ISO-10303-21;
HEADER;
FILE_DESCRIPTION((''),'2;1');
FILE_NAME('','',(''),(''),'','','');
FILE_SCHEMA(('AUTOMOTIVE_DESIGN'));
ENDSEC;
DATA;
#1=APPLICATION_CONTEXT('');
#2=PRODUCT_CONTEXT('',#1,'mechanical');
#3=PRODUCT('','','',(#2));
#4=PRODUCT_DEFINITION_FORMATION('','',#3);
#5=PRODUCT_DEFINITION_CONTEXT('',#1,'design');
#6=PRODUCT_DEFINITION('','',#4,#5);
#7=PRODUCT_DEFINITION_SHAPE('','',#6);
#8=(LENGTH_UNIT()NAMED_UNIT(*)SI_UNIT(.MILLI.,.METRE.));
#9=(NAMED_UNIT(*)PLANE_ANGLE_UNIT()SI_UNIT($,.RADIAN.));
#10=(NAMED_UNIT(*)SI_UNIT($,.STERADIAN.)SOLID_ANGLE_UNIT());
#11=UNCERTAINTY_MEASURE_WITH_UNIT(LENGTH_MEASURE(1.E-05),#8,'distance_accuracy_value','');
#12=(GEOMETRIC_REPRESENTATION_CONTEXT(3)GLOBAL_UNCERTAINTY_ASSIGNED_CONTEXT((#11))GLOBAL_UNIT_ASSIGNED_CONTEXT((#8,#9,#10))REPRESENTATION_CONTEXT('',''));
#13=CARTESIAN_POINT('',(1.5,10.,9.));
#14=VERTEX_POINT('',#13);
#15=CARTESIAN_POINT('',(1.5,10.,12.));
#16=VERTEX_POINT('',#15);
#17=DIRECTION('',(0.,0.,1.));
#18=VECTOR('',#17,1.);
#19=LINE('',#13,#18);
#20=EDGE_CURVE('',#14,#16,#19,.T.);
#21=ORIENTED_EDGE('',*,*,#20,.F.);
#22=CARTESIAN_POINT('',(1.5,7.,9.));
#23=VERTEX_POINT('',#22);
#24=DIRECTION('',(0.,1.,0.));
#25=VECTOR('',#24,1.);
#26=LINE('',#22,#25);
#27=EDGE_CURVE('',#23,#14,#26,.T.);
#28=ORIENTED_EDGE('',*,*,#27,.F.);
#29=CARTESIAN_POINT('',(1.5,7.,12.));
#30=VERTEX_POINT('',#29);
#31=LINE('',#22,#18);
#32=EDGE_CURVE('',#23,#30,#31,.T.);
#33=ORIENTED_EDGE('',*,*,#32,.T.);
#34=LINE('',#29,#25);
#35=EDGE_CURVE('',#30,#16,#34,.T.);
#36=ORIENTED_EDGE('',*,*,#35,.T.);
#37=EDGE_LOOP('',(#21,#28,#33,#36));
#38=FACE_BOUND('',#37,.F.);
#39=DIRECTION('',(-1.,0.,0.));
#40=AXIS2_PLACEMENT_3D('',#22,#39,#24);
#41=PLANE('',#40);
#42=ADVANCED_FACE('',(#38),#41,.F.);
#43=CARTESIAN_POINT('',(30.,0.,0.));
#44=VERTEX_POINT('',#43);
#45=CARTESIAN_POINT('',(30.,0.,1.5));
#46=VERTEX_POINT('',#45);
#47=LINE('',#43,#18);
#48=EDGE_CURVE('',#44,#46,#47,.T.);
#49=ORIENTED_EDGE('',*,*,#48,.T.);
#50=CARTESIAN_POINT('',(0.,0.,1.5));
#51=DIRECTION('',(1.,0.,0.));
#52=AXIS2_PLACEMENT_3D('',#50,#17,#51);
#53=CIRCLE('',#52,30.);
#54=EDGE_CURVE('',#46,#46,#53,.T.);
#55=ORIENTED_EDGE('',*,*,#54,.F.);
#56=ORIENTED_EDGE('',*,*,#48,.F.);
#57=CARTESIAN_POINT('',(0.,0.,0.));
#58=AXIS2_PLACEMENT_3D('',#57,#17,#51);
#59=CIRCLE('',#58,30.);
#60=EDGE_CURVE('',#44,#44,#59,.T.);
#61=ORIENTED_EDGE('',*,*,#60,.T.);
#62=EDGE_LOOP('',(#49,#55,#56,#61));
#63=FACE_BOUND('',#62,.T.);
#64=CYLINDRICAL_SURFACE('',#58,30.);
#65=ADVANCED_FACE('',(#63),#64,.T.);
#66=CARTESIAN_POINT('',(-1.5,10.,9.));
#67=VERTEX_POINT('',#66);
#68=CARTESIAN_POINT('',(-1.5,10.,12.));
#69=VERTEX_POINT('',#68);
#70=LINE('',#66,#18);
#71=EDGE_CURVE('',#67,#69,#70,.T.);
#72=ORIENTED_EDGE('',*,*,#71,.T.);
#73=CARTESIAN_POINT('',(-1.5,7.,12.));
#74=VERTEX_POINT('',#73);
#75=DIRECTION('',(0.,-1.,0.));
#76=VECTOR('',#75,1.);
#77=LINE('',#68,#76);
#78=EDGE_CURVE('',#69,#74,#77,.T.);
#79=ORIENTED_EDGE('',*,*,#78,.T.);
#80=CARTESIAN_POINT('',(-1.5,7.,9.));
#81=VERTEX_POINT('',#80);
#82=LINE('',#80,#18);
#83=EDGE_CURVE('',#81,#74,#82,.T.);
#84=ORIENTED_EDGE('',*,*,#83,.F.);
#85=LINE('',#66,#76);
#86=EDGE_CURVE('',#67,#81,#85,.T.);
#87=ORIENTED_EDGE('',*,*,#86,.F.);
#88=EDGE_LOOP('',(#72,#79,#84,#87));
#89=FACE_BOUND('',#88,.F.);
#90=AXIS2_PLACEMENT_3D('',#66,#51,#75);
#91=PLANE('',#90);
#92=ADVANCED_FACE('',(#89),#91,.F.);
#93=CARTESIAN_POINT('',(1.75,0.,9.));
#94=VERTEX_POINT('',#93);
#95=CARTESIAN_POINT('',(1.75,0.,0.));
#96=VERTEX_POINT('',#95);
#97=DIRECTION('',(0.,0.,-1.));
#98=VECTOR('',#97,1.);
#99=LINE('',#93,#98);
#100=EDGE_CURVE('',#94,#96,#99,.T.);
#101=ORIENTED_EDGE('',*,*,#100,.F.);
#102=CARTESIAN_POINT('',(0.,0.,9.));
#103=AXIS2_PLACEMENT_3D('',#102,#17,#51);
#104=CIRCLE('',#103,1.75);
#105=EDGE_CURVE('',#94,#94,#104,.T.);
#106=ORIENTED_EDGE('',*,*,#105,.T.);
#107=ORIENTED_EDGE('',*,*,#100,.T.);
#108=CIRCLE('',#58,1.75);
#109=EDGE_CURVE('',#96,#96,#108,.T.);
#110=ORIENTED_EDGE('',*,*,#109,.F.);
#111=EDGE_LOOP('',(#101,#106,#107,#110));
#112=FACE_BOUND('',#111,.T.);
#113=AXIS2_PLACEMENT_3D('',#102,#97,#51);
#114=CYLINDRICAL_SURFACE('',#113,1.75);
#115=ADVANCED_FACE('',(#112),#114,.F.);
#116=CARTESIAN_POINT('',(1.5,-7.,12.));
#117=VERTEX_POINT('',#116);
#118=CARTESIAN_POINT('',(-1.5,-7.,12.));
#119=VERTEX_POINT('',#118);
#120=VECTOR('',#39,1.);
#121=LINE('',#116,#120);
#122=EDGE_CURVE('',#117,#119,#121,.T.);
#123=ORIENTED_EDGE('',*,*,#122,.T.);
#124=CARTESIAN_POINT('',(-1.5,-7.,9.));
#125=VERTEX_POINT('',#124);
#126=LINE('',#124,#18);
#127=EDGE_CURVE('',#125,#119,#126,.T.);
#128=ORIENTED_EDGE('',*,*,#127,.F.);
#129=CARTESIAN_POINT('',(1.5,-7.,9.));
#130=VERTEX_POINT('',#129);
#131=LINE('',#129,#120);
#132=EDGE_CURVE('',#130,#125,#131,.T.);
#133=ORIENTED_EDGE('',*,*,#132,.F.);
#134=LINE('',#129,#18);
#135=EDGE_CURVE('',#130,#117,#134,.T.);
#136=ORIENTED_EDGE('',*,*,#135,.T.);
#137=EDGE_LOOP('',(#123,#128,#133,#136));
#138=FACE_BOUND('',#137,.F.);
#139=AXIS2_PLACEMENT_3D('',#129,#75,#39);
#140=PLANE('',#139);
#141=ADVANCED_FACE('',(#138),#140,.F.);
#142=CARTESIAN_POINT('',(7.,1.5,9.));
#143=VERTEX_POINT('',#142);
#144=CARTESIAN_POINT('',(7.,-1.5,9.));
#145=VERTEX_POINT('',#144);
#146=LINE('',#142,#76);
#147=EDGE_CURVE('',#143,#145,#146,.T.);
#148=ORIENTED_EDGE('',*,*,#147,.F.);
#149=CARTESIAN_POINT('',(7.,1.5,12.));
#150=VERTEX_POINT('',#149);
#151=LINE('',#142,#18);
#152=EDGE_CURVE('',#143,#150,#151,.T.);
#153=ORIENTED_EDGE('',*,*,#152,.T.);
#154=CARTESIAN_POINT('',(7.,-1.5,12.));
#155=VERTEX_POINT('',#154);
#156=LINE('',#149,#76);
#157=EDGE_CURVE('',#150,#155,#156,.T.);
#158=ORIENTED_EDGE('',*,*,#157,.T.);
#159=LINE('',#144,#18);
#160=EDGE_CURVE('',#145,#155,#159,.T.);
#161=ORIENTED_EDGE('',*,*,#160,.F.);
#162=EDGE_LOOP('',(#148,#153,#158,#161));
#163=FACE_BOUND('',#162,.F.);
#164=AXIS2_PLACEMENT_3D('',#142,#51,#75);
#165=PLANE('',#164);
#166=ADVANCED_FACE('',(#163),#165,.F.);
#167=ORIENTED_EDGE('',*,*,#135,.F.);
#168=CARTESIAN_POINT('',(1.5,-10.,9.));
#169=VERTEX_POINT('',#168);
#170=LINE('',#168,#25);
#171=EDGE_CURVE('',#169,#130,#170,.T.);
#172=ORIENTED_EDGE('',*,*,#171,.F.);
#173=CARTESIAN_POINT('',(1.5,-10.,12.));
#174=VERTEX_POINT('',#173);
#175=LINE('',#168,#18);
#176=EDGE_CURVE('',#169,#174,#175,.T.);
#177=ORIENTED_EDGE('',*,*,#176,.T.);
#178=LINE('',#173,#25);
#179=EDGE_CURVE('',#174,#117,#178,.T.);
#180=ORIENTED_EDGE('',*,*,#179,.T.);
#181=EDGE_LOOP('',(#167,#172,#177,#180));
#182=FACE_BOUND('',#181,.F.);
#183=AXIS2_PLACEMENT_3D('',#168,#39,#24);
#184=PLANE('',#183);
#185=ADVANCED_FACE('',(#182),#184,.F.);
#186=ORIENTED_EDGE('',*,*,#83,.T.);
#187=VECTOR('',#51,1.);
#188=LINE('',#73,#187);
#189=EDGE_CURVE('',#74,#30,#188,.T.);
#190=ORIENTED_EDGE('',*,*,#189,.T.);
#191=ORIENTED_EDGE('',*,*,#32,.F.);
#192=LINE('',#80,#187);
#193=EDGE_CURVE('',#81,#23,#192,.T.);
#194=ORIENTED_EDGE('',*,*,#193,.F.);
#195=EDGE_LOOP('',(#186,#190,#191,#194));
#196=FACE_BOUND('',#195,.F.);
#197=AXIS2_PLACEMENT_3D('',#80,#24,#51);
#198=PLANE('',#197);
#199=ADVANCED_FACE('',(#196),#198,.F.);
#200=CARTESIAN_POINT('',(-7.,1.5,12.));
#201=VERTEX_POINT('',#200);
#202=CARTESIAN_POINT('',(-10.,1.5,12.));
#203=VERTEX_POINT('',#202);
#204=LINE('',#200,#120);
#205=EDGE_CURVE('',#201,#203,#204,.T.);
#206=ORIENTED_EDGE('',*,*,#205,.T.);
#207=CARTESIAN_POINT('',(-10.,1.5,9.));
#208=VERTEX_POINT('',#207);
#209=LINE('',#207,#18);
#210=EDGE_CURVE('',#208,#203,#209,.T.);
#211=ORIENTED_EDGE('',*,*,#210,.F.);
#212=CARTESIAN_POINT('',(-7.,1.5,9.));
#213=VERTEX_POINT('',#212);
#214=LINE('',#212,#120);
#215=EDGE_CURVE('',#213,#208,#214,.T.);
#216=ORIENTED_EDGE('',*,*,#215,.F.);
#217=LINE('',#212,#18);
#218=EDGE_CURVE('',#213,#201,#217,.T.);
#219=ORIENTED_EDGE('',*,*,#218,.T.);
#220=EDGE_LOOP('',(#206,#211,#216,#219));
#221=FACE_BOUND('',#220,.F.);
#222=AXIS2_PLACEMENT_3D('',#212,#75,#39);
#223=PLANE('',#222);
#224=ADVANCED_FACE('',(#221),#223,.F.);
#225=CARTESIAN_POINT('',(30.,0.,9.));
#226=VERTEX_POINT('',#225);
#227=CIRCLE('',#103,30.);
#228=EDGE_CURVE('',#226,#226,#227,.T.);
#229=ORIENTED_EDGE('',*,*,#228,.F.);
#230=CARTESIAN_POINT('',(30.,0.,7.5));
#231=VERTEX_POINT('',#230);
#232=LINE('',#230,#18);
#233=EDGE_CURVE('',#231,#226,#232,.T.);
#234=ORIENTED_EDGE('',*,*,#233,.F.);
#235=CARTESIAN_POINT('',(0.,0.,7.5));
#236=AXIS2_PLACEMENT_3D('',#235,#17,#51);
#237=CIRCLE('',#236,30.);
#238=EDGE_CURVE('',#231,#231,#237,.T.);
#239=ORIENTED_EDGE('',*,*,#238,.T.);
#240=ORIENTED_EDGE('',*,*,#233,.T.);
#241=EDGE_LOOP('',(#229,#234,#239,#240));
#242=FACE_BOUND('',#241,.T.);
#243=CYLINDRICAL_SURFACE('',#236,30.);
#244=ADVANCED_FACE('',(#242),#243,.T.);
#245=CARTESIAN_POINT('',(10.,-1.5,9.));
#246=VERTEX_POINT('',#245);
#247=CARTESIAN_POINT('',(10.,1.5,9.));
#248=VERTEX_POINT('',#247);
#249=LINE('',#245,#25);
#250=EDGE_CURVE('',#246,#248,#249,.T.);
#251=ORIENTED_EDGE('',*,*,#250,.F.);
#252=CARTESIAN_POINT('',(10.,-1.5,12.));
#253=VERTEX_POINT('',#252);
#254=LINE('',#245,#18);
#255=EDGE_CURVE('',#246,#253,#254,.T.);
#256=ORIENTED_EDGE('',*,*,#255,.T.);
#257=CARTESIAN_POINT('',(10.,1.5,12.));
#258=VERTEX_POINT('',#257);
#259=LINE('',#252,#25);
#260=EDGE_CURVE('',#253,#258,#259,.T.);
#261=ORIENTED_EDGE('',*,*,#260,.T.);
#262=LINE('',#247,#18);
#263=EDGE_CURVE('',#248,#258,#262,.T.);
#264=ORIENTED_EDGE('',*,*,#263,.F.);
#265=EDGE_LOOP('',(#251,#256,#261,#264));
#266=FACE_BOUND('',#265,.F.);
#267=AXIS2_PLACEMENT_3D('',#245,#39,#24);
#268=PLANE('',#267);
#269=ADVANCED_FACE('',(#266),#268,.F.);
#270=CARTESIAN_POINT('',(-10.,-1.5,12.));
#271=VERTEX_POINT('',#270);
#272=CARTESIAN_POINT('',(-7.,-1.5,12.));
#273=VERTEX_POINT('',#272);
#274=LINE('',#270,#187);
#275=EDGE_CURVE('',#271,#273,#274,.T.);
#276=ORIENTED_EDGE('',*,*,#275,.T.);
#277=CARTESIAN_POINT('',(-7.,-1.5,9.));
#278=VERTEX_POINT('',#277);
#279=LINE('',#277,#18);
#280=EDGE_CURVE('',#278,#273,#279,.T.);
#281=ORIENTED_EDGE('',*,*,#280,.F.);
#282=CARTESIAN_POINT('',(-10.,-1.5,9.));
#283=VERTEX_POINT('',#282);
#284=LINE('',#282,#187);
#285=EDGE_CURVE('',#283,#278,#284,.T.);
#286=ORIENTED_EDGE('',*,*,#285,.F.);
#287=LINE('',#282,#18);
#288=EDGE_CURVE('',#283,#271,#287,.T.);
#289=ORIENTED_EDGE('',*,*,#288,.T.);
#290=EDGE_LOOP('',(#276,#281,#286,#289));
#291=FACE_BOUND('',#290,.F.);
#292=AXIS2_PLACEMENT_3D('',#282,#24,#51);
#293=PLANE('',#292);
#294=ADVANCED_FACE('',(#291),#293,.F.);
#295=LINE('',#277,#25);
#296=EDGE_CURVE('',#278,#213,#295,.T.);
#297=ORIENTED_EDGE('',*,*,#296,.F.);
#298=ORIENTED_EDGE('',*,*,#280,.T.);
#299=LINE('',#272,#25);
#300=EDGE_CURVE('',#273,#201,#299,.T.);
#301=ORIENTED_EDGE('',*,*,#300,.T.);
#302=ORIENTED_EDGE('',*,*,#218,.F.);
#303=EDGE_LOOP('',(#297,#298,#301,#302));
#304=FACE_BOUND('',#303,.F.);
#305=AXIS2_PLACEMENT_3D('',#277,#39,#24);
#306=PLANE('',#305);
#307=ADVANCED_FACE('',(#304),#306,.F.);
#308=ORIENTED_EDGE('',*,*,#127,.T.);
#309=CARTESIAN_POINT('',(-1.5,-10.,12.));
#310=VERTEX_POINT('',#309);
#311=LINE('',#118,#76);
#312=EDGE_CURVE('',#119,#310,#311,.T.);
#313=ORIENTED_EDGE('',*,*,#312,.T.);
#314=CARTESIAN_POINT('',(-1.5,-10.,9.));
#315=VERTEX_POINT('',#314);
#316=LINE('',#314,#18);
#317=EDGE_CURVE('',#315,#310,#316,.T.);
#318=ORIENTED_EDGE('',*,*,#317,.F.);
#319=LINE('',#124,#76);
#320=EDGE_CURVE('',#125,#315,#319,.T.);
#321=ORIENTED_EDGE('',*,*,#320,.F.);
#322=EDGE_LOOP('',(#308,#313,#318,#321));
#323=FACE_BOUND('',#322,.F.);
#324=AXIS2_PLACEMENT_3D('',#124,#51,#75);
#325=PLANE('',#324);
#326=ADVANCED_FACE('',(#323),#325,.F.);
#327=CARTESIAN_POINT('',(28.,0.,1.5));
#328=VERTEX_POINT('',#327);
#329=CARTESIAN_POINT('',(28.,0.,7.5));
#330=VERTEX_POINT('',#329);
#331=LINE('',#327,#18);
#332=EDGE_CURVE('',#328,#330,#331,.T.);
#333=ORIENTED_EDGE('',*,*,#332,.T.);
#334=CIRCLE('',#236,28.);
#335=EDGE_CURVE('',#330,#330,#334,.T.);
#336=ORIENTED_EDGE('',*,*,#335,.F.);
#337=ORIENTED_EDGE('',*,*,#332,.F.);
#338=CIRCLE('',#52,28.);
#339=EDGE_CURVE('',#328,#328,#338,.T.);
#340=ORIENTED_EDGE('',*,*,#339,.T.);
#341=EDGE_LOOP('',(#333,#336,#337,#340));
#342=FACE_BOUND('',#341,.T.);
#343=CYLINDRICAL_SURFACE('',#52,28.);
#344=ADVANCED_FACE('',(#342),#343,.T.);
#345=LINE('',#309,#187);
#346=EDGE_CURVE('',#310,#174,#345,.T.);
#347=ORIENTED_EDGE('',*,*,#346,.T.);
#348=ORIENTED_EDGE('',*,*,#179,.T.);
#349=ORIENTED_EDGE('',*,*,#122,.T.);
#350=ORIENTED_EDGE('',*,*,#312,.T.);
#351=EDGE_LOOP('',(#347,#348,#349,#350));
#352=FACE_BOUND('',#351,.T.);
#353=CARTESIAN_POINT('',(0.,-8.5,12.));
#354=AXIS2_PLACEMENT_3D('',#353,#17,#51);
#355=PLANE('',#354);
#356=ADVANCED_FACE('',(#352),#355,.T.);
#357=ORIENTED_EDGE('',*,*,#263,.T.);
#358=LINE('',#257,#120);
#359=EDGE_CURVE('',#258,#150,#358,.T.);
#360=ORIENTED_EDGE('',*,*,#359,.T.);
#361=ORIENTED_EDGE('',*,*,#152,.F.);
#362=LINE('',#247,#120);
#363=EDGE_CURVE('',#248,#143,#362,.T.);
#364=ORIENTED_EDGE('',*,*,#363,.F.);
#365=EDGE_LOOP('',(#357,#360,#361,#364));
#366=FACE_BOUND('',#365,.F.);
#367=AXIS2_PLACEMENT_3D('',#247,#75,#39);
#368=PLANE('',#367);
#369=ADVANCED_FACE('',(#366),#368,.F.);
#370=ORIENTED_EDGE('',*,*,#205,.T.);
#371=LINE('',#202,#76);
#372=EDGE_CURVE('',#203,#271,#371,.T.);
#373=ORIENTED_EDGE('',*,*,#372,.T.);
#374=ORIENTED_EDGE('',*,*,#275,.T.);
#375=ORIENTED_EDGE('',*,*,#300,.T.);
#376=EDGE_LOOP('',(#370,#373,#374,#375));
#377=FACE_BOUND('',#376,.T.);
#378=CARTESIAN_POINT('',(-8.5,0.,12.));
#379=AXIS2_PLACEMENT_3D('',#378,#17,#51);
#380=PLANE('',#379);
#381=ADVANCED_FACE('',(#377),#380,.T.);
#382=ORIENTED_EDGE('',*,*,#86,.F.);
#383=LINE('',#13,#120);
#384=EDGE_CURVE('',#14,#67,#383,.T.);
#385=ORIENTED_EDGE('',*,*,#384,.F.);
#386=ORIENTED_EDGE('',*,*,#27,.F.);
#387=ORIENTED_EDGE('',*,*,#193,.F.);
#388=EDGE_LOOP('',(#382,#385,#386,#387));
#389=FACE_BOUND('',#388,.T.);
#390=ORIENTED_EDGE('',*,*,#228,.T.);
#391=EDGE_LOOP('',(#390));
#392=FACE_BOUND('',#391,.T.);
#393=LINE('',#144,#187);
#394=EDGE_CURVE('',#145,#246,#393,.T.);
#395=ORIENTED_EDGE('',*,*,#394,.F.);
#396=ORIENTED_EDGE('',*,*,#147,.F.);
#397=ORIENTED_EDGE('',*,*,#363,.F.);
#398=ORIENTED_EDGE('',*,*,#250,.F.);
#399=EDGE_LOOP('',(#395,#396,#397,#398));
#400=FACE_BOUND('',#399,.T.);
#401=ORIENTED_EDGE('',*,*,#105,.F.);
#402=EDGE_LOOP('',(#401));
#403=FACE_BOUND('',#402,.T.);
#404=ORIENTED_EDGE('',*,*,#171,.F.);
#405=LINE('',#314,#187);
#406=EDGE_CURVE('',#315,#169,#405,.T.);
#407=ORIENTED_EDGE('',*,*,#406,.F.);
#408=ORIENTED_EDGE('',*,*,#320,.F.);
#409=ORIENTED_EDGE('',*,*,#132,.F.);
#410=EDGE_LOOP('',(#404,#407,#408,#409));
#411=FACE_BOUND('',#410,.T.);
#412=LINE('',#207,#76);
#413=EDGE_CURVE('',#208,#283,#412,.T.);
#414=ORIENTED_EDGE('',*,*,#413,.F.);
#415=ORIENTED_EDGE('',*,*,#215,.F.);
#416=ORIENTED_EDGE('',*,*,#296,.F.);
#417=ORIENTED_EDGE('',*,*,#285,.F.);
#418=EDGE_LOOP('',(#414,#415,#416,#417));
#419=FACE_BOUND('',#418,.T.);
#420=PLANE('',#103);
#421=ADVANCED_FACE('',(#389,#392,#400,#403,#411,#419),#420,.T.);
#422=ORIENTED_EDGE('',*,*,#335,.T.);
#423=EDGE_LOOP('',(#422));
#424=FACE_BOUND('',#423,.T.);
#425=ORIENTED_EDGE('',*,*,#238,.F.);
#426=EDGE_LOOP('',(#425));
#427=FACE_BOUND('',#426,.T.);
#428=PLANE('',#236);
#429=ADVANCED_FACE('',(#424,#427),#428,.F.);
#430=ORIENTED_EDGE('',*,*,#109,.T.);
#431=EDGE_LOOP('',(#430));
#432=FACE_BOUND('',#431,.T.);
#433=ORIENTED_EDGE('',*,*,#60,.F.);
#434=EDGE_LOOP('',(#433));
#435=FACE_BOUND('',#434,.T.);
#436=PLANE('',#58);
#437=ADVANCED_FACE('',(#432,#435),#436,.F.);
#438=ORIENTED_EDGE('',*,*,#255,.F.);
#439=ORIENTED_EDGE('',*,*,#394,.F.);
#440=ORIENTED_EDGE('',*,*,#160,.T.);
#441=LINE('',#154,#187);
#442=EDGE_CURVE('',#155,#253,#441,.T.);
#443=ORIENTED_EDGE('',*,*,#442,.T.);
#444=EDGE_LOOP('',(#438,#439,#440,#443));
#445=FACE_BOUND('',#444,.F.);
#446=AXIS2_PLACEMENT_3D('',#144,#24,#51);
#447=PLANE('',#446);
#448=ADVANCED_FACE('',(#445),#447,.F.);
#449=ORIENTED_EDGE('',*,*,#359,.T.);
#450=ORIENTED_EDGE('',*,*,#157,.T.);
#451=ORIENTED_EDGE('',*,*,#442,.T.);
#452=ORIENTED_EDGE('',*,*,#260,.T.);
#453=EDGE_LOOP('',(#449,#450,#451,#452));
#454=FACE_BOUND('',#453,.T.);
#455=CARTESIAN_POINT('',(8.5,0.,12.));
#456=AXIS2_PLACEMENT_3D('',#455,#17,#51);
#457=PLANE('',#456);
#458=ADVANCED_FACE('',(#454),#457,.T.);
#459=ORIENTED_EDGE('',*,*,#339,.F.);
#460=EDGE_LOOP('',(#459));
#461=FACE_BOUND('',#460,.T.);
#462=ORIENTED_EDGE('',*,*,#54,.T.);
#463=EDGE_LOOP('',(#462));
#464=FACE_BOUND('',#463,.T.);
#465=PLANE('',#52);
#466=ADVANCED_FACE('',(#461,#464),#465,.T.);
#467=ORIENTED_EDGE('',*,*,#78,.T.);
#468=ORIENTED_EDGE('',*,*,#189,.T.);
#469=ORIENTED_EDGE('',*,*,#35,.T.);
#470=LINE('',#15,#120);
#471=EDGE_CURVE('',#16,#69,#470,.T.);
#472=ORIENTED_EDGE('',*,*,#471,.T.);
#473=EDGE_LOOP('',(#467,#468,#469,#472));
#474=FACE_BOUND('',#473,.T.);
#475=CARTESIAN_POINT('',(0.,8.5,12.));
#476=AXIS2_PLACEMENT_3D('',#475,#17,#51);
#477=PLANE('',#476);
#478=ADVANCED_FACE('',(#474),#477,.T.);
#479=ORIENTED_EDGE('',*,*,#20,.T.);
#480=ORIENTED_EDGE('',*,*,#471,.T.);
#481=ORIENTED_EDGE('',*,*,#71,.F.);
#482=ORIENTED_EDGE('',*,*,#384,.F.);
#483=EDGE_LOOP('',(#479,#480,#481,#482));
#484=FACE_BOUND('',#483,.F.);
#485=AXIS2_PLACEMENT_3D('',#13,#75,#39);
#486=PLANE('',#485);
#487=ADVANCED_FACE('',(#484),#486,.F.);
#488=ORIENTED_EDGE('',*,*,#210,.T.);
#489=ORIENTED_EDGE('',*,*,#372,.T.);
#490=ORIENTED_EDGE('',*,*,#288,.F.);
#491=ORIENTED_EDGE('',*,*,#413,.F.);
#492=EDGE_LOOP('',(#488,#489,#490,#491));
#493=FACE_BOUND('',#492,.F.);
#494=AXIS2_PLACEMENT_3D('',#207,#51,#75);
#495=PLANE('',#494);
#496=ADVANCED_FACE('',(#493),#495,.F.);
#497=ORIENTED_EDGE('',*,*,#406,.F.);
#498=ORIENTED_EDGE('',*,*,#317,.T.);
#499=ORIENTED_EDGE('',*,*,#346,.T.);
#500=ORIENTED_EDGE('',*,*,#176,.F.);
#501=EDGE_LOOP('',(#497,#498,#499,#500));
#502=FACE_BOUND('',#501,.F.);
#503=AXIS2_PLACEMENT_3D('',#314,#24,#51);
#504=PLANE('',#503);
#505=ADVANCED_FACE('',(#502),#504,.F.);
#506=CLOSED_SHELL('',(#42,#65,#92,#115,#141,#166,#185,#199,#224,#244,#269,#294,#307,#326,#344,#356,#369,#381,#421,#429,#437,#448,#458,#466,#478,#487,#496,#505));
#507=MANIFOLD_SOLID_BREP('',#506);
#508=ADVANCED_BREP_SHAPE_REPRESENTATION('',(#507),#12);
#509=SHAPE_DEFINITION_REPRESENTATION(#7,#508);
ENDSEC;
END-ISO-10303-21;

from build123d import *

# Parameters (mm, degrees)
F3_DEPTH = 3
F4_DEPTH = 3


with BuildPart() as f1:
    # F0 (on Front) → F1 (revolve)
    with BuildSketch(Plane.XZ):
        Polygon((1.75, 9), (1.75, 0), (27.950706, 0), (30, 0), (30, 1.5), (28, 1.5), (28, 7.5), (30, 7.5), (30, 9), align=None)
    revolve(axis=Axis((0, 0, 5), (0, 0, 1)))

    # F2 (on face) → F3 (join)
    with BuildSketch(Plane.XY.offset(9)):
        Polygon((-1.5, 7), (1.5, 7), (1.5, 10), (0, 10), (-1.5, 10), align=None)
        Polygon((1.5, -7), (-1.5, -7), (-1.5, -10), (0, -10), (1.5, -10), align=None)
        Polygon((-7, -1.5), (-7, 1.5), (-10, 1.5), (-10, 0), (-10, -1.5), align=None)
        Polygon((10, -1.5), (10, 0), (10, 1.5), (7, 1.5), (7, -1.5), align=None)
    extrude(amount=F3_DEPTH)

    # F2 (on face) → F4 (join)
    with BuildSketch(Plane.XY.offset(9)):
        Polygon((-1.5, 7), (1.5, 7), (1.5, 10), (0, 10), (-1.5, 10), align=None)
        Polygon((-7, -1.5), (-7, 1.5), (-10, 1.5), (-10, 0), (-10, -1.5), align=None)
        Polygon((1.5, -7), (-1.5, -7), (-1.5, -10), (0, -10), (1.5, -10), align=None)
        Polygon((10, -1.5), (10, 0), (10, 1.5), (7, 1.5), (7, -1.5), align=None)
    extrude(amount=F4_DEPTH)


solid = f1.part
